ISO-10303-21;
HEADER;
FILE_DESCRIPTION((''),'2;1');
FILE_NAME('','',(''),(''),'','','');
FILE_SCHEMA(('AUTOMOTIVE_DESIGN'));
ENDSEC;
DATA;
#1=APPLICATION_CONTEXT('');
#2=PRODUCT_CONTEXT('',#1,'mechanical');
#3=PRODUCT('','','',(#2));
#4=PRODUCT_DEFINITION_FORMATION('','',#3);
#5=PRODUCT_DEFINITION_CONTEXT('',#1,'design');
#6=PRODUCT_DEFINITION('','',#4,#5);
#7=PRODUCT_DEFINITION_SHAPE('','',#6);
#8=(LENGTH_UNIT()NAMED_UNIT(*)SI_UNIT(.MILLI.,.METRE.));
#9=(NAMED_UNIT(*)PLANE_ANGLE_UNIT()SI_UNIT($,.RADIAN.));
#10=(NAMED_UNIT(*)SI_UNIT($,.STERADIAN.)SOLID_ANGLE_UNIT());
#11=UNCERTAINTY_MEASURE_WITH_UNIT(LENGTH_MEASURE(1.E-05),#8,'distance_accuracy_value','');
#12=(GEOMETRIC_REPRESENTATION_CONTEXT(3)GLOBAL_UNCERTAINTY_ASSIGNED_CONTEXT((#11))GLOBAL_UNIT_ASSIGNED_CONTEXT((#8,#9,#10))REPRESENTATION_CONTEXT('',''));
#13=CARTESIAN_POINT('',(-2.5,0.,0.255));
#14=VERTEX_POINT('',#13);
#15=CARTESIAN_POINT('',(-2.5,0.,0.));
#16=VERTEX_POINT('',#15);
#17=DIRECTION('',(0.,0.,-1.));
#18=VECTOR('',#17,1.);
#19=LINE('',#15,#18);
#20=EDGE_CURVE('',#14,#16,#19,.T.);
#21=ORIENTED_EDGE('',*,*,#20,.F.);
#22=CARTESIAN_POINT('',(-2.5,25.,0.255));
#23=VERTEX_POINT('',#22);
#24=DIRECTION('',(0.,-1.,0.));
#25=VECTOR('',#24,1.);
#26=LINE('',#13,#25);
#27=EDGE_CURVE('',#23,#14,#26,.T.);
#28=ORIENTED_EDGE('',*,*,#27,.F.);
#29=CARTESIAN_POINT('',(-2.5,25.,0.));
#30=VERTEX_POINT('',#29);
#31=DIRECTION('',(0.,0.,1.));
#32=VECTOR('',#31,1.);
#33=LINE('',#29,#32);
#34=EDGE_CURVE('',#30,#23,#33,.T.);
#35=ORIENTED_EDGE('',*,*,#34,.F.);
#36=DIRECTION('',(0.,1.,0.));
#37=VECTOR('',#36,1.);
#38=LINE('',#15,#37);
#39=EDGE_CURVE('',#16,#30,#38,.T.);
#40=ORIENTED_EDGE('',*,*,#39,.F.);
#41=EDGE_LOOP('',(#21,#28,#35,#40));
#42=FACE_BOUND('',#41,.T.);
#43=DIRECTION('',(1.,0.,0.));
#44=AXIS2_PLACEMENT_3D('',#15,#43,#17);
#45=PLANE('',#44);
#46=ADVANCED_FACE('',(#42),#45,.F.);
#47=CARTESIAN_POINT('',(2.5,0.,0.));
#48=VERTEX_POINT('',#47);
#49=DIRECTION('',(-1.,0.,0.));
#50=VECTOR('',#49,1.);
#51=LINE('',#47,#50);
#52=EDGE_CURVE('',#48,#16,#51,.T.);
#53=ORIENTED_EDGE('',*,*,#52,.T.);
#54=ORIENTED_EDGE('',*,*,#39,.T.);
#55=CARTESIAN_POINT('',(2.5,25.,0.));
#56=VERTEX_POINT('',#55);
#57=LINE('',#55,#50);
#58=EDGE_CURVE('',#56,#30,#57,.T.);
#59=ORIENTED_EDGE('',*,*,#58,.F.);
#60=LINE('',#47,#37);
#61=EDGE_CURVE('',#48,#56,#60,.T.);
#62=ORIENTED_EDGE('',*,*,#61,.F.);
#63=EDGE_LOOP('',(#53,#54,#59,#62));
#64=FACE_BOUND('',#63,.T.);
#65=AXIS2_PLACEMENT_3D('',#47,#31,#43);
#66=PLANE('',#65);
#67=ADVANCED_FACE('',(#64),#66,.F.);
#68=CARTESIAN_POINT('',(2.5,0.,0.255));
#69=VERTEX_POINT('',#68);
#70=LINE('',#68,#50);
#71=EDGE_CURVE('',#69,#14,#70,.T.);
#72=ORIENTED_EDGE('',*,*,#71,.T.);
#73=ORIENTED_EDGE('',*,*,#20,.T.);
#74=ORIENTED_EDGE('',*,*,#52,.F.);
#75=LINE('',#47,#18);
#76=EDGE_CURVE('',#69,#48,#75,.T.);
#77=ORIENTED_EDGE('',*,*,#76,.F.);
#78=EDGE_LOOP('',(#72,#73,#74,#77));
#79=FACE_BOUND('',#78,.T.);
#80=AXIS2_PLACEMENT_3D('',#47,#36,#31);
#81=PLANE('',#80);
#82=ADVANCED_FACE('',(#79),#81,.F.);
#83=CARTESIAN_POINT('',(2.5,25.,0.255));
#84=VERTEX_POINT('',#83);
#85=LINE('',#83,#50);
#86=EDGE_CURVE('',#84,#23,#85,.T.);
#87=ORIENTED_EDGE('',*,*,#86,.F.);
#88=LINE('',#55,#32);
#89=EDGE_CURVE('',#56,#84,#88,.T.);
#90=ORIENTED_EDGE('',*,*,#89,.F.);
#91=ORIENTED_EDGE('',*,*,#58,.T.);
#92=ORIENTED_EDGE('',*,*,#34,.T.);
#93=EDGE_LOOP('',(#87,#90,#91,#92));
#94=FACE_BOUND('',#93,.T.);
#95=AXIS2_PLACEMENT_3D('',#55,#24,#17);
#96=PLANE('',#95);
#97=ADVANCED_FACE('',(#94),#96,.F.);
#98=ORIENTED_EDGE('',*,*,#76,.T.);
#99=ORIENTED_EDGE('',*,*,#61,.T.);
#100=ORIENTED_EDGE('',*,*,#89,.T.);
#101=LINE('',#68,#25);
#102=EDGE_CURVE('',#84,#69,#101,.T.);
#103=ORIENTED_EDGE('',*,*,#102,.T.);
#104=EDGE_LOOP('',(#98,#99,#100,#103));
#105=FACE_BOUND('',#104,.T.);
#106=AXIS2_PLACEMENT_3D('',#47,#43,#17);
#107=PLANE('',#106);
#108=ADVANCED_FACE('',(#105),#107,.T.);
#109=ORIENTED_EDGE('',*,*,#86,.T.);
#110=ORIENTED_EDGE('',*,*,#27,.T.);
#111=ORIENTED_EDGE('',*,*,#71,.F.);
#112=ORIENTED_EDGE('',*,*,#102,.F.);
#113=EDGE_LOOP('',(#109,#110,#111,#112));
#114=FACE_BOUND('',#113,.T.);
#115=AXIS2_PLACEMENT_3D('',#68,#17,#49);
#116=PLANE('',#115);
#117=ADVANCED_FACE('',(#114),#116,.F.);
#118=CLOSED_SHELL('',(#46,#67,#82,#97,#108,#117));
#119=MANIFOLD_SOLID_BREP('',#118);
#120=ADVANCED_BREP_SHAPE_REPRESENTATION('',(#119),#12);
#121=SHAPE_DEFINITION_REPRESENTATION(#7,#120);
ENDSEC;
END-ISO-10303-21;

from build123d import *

# Parameters (mm, degrees)
SKETCH1_W           = 0.255
SKETCH1_H           = 25
BOSS_EXTRUDE1_DEPTH = 2.5


with BuildPart() as part:
    # Sketch1 → Boss-Extrude1 (new, symmetric)
    with BuildSketch(Plane(origin=(0, 0, 0), x_dir=(0, 0, -1), z_dir=(1, 0, 0))):
        with Locations((-0.1275, 12.5)):
            Rectangle(SKETCH1_W, SKETCH1_H)
    extrude(amount=BOSS_EXTRUDE1_DEPTH, both=True)


solid = part.part
